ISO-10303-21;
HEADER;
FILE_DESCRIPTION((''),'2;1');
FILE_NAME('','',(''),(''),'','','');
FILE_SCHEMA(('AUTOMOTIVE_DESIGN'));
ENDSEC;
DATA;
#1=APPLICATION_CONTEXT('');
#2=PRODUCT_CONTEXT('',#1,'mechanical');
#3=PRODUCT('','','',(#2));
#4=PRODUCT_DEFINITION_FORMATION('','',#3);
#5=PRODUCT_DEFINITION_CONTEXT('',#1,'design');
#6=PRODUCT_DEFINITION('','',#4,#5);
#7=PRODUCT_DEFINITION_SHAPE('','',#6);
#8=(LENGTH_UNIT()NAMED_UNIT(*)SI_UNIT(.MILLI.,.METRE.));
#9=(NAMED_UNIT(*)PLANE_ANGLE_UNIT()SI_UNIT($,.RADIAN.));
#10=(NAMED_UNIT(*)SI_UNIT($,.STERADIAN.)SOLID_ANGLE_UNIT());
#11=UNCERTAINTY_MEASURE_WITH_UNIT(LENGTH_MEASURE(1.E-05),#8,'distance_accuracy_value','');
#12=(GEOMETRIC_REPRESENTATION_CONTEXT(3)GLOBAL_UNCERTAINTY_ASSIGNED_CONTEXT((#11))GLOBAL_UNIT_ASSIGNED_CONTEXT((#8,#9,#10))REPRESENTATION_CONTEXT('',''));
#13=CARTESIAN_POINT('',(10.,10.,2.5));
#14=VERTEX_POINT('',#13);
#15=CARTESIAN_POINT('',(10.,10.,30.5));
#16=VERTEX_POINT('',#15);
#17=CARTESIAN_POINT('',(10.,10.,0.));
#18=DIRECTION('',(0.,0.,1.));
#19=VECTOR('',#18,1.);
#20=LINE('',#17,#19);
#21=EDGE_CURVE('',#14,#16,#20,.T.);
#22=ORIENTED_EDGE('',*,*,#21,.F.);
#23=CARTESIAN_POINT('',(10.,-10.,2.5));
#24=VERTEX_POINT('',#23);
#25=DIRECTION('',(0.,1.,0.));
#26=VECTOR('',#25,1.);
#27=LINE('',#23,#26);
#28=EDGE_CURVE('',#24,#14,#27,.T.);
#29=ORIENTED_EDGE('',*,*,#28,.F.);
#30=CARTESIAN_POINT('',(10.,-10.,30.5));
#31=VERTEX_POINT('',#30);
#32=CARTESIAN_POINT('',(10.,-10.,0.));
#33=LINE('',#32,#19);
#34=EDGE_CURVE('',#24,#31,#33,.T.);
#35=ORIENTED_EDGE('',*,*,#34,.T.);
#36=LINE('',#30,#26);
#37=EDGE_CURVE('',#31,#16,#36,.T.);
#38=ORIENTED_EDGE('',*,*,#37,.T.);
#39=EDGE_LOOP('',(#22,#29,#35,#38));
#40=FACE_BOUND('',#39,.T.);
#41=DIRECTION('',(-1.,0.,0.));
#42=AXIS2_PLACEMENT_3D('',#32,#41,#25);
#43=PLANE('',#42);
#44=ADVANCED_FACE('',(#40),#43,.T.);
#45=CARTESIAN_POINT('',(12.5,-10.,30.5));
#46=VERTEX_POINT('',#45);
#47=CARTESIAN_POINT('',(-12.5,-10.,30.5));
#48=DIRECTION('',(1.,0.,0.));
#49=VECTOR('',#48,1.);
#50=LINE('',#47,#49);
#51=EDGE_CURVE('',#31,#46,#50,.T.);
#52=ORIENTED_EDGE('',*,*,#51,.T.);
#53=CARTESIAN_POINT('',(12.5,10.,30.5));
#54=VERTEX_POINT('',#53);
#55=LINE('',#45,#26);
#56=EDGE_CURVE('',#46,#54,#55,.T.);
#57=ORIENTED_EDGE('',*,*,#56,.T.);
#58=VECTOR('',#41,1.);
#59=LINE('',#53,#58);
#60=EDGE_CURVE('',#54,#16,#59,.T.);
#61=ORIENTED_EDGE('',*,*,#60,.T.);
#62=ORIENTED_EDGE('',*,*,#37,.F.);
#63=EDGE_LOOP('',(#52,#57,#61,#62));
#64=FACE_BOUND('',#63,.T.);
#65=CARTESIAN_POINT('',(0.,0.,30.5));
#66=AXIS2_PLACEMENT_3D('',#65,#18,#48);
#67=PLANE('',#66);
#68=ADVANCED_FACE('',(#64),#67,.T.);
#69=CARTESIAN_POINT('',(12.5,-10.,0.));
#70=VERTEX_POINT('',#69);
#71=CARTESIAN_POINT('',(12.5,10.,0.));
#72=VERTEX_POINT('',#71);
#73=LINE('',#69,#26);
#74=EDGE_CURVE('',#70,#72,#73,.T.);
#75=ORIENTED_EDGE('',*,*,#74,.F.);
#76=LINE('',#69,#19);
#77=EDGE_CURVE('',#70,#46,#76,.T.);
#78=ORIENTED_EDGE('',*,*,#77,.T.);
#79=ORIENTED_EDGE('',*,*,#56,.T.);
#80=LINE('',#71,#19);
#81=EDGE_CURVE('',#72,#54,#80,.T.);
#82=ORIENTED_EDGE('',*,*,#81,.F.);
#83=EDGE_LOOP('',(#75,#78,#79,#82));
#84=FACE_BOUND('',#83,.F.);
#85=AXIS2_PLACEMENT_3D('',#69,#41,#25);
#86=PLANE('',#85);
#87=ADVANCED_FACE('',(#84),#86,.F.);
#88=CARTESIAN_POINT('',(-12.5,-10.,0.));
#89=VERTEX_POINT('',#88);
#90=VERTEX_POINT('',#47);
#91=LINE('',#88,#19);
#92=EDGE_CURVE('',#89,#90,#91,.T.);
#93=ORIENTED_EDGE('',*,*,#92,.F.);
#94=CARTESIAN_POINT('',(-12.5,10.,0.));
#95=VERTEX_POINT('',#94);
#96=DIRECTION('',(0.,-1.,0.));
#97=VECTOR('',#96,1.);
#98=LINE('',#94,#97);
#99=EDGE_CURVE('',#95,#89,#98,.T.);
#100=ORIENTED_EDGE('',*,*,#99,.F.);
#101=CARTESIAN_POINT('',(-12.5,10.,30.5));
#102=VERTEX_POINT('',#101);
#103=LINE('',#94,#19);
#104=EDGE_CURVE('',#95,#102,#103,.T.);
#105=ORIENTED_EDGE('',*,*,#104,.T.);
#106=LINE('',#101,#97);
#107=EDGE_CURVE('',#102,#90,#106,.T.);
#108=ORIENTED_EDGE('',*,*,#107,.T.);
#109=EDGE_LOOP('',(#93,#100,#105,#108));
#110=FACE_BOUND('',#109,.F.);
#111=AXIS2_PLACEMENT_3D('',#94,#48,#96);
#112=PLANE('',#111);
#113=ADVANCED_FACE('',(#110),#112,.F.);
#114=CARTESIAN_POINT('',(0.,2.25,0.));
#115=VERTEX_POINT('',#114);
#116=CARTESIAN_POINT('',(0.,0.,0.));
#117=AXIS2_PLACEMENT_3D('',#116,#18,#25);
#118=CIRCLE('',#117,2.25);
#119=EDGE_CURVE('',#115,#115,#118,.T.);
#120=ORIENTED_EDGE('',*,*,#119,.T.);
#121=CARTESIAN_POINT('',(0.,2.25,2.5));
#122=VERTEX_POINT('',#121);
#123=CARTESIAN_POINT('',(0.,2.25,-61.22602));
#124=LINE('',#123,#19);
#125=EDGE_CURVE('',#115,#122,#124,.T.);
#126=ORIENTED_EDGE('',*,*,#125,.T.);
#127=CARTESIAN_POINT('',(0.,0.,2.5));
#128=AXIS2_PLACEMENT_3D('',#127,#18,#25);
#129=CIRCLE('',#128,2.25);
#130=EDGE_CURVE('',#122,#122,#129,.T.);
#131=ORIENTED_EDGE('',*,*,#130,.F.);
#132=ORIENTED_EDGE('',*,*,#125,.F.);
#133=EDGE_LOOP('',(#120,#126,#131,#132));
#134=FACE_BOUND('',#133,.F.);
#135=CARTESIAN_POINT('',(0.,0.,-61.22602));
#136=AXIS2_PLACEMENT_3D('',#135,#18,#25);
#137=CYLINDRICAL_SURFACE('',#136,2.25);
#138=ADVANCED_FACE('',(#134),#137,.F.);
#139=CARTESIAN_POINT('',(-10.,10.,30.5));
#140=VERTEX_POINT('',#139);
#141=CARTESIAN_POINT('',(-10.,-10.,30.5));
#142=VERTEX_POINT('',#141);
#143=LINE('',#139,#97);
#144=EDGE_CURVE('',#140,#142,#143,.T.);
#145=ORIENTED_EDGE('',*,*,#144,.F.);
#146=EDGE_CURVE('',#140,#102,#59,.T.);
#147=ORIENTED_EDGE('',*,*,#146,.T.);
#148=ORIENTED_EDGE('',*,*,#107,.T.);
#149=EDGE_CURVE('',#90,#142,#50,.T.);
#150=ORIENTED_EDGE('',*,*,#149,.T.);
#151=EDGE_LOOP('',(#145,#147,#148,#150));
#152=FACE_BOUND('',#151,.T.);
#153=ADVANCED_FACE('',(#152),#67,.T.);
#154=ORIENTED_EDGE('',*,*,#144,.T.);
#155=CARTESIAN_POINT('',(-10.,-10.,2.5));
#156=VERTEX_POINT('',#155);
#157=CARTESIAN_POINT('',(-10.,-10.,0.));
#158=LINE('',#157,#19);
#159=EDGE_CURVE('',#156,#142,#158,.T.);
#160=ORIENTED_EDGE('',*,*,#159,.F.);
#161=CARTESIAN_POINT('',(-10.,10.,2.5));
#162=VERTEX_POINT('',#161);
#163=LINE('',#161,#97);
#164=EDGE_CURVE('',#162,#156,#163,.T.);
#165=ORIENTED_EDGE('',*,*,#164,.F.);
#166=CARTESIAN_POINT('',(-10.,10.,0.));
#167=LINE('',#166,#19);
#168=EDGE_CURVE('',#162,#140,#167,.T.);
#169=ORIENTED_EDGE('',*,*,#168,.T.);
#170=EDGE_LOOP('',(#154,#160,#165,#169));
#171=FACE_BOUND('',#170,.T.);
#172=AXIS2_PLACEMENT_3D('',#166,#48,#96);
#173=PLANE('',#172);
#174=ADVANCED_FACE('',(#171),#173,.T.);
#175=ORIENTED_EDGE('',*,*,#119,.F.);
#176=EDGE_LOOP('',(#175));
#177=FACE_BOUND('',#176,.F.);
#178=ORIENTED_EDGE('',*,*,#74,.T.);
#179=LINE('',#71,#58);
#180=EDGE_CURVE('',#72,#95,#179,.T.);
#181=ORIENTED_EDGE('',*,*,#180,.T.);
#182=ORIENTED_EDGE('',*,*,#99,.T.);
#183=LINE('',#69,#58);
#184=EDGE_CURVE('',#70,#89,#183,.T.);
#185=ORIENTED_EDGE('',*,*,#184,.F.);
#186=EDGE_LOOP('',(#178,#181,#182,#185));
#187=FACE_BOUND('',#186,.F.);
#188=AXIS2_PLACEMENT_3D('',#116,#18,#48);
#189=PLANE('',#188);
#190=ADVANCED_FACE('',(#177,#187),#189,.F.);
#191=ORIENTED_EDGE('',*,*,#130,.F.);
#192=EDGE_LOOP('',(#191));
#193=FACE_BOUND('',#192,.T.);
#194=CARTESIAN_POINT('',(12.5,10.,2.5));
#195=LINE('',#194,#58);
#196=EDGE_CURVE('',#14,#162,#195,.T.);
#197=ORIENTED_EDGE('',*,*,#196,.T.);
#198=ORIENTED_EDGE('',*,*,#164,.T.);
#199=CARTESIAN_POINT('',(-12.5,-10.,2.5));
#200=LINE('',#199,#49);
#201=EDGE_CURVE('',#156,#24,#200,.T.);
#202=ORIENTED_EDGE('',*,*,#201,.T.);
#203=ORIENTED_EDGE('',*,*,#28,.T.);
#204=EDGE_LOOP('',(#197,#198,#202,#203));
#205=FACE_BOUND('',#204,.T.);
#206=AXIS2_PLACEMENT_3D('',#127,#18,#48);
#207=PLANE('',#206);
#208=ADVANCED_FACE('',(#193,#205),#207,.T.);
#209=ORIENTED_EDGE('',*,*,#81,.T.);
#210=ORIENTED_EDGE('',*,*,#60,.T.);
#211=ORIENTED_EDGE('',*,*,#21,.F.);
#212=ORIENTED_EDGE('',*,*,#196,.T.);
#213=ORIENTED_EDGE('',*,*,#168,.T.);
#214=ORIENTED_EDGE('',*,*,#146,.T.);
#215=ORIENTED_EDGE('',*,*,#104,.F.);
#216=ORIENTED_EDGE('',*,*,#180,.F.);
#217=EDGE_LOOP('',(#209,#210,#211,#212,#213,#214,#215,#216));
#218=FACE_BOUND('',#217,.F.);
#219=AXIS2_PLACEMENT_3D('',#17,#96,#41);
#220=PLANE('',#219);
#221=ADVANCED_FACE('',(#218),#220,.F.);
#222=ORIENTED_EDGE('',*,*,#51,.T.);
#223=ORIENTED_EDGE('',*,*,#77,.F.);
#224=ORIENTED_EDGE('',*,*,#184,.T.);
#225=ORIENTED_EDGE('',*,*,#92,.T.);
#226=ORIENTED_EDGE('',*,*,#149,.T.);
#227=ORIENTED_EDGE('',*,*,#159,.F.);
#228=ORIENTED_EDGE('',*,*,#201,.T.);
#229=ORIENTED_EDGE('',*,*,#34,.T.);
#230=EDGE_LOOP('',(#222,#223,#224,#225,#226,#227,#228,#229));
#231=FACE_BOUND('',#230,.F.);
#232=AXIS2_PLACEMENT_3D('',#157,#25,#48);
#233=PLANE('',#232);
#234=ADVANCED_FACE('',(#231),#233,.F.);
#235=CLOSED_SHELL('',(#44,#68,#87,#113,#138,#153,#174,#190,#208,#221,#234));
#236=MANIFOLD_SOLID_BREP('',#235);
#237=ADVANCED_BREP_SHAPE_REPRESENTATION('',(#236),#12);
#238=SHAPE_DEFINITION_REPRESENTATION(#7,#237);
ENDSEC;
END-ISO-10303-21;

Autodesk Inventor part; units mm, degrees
ref_plane "YZ Plane" through (0, 0, 0) normal (1, 0, 0) x (0, 1, 0)
ref_plane "XZ Plane" through (0, 0, 0) normal (0, 1, 0) x (-1, 0, 0)
ref_plane "XY Plane" through (0, 0, 0) normal (0, 0, 1) x (1, 0, 0)
sketch "Sketch1" plane through (0, 0, 0) normal (0, 0, 1) x (1, 0, 0)
  line L0 (-12.5, -10) -> (12.5, -10)
  line L1 (12.5, -10) -> (12.5, 10)
  line L2 (12.5, 10) -> (-12.5, 10)
  line L3 (-12.5, 10) -> (-12.5, -10)
  line L4 (-12.5, -10) -> (12.5, 10) construction
  line L5 (12.5, -10) -> (-12.5, 10) construction
  line L6 (-12.5, 10) -> (-10, 10)
  line L7 (-10, 10) -> (-10, -10)
  line L8 (-10, -10) -> (-12.5, -10)
  line L9 (-12.5, -10) -> (-12.5, 10)
  line L10 (12.5, -10) -> (10, -10)
  line L11 (10, -10) -> (10, 10)
  line L12 (10, 10) -> (12.5, 10)
  line L13 (12.5, 10) -> (12.5, -10)
  point P0 (0, 0)
  point P1 (0, 0)
  dimension "d0" = 25
  dimension "d1" = 20
  dimension "d2" = 2.5
  dimension "d3" = 2.5
extrude "Extrusion1" add sketch "Sketch1" along normal blind 2.5 contours L7 L2 L11 L0
extrude "Extrusion2" add sketch "Sketch1" along normal blind 30.5 contours L3 L2 L7 L0 | L11 L2 L1 L0
hole "Hole1" at (0, 0, 0) direction (0, 0, 1) diameter 4.5 end through all both
properties part number "slotcar_beam"
